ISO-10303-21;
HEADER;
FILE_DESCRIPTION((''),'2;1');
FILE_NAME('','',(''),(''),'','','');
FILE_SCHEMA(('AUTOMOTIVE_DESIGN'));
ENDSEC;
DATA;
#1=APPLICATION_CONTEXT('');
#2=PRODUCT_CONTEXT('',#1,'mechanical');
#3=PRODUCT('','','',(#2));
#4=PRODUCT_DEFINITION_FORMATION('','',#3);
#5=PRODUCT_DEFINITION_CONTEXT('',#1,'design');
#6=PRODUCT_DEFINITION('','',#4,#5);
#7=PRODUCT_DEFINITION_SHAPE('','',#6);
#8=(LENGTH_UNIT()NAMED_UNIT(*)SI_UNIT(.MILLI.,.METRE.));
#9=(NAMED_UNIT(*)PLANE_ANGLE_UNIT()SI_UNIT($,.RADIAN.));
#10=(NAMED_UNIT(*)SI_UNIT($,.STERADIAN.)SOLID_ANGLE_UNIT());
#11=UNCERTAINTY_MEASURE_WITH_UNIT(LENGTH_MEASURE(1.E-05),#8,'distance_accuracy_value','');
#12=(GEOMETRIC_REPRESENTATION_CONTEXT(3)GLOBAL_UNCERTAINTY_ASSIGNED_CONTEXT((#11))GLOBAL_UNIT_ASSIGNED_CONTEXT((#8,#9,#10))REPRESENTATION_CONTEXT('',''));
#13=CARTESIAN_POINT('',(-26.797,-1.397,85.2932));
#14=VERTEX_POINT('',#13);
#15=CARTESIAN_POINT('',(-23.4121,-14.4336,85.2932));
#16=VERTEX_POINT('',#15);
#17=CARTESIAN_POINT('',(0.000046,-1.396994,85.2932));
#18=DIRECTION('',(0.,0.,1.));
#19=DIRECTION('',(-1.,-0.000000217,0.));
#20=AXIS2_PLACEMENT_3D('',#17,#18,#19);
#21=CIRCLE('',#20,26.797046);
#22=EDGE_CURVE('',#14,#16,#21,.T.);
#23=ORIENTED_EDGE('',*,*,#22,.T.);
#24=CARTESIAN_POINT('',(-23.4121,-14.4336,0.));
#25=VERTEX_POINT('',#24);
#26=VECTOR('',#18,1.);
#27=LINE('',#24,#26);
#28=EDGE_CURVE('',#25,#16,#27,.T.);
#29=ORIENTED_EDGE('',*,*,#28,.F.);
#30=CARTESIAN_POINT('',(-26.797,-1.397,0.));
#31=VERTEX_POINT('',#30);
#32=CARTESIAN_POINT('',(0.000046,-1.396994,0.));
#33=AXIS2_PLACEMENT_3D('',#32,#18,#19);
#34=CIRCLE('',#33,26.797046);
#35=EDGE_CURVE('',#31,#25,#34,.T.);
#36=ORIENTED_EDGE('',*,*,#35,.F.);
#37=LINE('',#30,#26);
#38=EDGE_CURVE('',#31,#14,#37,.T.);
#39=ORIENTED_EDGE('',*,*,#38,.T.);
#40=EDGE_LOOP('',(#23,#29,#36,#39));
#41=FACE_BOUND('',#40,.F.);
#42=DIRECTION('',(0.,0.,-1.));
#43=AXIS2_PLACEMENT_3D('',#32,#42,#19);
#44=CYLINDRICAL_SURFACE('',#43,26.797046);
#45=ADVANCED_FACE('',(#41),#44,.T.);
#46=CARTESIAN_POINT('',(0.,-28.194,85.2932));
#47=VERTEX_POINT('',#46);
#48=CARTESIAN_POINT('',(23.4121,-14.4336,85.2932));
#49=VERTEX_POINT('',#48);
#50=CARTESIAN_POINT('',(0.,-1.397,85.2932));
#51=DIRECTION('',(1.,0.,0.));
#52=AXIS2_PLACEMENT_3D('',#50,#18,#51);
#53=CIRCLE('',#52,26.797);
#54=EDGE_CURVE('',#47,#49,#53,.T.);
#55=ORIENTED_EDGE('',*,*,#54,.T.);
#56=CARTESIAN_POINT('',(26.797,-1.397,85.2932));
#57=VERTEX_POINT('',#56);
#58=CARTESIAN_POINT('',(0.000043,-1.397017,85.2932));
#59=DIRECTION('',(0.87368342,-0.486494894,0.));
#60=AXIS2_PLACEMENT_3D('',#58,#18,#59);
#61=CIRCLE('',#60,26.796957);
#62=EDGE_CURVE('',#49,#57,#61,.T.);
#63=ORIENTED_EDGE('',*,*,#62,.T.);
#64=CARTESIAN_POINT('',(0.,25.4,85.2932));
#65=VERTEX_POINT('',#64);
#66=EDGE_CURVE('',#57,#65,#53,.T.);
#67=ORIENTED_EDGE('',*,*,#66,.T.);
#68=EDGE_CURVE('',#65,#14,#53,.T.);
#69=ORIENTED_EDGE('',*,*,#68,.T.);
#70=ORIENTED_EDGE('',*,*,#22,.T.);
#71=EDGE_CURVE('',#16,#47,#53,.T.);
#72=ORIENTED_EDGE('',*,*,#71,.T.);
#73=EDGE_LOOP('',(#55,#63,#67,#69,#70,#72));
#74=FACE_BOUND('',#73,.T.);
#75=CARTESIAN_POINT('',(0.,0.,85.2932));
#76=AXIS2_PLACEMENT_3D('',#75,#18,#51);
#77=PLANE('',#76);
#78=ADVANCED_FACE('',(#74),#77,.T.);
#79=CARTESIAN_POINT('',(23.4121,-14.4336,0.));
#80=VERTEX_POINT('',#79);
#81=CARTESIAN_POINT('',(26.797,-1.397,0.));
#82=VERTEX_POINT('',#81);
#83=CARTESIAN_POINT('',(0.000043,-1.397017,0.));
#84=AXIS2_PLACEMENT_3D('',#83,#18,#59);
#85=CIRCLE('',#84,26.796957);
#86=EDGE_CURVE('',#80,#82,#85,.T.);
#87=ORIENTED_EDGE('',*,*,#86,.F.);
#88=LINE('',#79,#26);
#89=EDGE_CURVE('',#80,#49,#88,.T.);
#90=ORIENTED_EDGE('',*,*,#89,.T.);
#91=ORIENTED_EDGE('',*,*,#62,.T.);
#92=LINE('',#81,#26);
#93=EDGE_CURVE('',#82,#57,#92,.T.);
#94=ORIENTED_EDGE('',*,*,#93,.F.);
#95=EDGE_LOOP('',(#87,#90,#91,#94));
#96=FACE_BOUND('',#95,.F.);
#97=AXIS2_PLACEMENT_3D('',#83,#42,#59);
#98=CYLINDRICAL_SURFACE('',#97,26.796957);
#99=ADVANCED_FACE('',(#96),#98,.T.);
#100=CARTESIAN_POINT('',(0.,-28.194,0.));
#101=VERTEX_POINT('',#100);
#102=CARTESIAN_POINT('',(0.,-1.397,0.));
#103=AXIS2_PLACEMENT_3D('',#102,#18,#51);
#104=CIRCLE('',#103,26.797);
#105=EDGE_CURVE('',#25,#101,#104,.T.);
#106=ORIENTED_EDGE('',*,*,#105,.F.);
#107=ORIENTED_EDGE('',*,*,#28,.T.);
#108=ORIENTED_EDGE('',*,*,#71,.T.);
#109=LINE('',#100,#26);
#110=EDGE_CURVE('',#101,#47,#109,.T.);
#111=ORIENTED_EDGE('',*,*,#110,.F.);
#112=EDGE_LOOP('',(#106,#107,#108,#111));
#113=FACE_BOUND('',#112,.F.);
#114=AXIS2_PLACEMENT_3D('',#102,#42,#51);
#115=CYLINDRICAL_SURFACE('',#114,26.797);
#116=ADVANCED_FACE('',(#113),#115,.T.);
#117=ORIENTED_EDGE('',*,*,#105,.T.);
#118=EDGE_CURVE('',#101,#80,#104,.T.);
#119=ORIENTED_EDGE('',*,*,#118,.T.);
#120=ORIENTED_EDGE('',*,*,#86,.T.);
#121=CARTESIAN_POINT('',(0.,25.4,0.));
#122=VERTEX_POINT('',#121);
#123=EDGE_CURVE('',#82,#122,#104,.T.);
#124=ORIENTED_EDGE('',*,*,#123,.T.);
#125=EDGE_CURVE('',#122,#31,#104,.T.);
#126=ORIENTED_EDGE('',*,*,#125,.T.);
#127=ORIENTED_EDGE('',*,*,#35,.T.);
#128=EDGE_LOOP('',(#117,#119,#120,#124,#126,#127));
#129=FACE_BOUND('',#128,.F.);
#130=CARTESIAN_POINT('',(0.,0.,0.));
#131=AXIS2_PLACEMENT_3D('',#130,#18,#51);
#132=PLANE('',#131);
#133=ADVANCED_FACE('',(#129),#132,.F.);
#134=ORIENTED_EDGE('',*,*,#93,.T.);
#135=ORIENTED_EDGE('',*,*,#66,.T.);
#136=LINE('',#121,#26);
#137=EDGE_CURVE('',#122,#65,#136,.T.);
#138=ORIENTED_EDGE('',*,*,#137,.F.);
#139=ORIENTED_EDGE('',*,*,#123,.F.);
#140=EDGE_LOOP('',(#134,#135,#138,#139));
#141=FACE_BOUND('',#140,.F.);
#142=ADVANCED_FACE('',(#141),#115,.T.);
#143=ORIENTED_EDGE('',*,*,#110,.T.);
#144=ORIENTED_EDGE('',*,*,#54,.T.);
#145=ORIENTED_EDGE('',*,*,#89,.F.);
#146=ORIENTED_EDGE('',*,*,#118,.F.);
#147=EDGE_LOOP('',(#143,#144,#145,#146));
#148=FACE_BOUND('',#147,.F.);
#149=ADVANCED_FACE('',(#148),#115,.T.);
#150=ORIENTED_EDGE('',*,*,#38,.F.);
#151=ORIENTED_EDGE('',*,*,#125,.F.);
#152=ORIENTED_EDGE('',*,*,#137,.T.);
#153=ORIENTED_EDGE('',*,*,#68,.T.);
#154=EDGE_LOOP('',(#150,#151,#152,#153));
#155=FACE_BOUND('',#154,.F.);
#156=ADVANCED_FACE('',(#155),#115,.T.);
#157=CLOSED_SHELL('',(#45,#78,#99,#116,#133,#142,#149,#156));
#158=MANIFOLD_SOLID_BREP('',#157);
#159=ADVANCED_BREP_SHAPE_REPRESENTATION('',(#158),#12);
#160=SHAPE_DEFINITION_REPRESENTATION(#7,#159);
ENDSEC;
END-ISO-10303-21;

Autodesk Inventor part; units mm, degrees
ref_plane "YZ Plane" through (0, 0, 0) normal (1, 0, 0) x (0, 1, 0)
ref_plane "XZ Plane" through (0, 0, 0) normal (0, 1, 0) x (-1, 0, 0)
ref_plane "Work Plane1" through (-26.797, -37.3063, 85.979) normal (0, 0, -1) x (0, 1, 0)
sketch "Sketch1" plane through (0, 0, 0) normal (0, 0, 1) x (1, 0, 0)
  arc A0 (-23.9286, -16.5336) -> (-20.447, -28.194) centre (-20.447, -21.844) ccw projected
  line L0 (-20.447, -28.194) -> (20.447, -28.194) projected
  arc A1 (20.447, -28.194) -> (23.9286, -16.5336) centre (20.447, -21.844) ccw projected
  arc A2 (23.4121, -14.4336) -> (23.9286, -16.5336) centre (24.799, -15.206) ccw projected
  arc A3 (23.4121, -14.4336) -> (26.797, -1.397) centre (0, -1.397) ccw projected
  line L1 (26.797, -1.397) -> (26.797, 19.05) projected
  arc A4 (26.797, 19.05) -> (20.447, 25.4) centre (20.447, 19.05) ccw projected
  line L2 (20.447, 25.4) -> (-20.447, 25.4) projected
  arc A5 (-20.447, 25.4) -> (-26.797, 19.05) centre (-20.447, 19.05) ccw projected
  line L3 (-26.797, 19.05) -> (-26.797, -1.397) projected
  arc A6 (-26.797, -1.397) -> (-23.4121, -14.4336) centre (0, -1.397) ccw projected
  arc A7 (-23.9286, -16.5336) -> (-23.4121, -14.4336) centre (-24.799, -15.206) ccw projected
  circle A8 centre (0, -1.397) radius 26.797
  point P0 (0, 0)
  dimension "d0" = 53.594
extrude "Extrusion1" add sketch "Sketch1" along normal blind 85.2932 contours A6 A8 A3
properties part number "Pneumatics_VIAIR_00090_03"
